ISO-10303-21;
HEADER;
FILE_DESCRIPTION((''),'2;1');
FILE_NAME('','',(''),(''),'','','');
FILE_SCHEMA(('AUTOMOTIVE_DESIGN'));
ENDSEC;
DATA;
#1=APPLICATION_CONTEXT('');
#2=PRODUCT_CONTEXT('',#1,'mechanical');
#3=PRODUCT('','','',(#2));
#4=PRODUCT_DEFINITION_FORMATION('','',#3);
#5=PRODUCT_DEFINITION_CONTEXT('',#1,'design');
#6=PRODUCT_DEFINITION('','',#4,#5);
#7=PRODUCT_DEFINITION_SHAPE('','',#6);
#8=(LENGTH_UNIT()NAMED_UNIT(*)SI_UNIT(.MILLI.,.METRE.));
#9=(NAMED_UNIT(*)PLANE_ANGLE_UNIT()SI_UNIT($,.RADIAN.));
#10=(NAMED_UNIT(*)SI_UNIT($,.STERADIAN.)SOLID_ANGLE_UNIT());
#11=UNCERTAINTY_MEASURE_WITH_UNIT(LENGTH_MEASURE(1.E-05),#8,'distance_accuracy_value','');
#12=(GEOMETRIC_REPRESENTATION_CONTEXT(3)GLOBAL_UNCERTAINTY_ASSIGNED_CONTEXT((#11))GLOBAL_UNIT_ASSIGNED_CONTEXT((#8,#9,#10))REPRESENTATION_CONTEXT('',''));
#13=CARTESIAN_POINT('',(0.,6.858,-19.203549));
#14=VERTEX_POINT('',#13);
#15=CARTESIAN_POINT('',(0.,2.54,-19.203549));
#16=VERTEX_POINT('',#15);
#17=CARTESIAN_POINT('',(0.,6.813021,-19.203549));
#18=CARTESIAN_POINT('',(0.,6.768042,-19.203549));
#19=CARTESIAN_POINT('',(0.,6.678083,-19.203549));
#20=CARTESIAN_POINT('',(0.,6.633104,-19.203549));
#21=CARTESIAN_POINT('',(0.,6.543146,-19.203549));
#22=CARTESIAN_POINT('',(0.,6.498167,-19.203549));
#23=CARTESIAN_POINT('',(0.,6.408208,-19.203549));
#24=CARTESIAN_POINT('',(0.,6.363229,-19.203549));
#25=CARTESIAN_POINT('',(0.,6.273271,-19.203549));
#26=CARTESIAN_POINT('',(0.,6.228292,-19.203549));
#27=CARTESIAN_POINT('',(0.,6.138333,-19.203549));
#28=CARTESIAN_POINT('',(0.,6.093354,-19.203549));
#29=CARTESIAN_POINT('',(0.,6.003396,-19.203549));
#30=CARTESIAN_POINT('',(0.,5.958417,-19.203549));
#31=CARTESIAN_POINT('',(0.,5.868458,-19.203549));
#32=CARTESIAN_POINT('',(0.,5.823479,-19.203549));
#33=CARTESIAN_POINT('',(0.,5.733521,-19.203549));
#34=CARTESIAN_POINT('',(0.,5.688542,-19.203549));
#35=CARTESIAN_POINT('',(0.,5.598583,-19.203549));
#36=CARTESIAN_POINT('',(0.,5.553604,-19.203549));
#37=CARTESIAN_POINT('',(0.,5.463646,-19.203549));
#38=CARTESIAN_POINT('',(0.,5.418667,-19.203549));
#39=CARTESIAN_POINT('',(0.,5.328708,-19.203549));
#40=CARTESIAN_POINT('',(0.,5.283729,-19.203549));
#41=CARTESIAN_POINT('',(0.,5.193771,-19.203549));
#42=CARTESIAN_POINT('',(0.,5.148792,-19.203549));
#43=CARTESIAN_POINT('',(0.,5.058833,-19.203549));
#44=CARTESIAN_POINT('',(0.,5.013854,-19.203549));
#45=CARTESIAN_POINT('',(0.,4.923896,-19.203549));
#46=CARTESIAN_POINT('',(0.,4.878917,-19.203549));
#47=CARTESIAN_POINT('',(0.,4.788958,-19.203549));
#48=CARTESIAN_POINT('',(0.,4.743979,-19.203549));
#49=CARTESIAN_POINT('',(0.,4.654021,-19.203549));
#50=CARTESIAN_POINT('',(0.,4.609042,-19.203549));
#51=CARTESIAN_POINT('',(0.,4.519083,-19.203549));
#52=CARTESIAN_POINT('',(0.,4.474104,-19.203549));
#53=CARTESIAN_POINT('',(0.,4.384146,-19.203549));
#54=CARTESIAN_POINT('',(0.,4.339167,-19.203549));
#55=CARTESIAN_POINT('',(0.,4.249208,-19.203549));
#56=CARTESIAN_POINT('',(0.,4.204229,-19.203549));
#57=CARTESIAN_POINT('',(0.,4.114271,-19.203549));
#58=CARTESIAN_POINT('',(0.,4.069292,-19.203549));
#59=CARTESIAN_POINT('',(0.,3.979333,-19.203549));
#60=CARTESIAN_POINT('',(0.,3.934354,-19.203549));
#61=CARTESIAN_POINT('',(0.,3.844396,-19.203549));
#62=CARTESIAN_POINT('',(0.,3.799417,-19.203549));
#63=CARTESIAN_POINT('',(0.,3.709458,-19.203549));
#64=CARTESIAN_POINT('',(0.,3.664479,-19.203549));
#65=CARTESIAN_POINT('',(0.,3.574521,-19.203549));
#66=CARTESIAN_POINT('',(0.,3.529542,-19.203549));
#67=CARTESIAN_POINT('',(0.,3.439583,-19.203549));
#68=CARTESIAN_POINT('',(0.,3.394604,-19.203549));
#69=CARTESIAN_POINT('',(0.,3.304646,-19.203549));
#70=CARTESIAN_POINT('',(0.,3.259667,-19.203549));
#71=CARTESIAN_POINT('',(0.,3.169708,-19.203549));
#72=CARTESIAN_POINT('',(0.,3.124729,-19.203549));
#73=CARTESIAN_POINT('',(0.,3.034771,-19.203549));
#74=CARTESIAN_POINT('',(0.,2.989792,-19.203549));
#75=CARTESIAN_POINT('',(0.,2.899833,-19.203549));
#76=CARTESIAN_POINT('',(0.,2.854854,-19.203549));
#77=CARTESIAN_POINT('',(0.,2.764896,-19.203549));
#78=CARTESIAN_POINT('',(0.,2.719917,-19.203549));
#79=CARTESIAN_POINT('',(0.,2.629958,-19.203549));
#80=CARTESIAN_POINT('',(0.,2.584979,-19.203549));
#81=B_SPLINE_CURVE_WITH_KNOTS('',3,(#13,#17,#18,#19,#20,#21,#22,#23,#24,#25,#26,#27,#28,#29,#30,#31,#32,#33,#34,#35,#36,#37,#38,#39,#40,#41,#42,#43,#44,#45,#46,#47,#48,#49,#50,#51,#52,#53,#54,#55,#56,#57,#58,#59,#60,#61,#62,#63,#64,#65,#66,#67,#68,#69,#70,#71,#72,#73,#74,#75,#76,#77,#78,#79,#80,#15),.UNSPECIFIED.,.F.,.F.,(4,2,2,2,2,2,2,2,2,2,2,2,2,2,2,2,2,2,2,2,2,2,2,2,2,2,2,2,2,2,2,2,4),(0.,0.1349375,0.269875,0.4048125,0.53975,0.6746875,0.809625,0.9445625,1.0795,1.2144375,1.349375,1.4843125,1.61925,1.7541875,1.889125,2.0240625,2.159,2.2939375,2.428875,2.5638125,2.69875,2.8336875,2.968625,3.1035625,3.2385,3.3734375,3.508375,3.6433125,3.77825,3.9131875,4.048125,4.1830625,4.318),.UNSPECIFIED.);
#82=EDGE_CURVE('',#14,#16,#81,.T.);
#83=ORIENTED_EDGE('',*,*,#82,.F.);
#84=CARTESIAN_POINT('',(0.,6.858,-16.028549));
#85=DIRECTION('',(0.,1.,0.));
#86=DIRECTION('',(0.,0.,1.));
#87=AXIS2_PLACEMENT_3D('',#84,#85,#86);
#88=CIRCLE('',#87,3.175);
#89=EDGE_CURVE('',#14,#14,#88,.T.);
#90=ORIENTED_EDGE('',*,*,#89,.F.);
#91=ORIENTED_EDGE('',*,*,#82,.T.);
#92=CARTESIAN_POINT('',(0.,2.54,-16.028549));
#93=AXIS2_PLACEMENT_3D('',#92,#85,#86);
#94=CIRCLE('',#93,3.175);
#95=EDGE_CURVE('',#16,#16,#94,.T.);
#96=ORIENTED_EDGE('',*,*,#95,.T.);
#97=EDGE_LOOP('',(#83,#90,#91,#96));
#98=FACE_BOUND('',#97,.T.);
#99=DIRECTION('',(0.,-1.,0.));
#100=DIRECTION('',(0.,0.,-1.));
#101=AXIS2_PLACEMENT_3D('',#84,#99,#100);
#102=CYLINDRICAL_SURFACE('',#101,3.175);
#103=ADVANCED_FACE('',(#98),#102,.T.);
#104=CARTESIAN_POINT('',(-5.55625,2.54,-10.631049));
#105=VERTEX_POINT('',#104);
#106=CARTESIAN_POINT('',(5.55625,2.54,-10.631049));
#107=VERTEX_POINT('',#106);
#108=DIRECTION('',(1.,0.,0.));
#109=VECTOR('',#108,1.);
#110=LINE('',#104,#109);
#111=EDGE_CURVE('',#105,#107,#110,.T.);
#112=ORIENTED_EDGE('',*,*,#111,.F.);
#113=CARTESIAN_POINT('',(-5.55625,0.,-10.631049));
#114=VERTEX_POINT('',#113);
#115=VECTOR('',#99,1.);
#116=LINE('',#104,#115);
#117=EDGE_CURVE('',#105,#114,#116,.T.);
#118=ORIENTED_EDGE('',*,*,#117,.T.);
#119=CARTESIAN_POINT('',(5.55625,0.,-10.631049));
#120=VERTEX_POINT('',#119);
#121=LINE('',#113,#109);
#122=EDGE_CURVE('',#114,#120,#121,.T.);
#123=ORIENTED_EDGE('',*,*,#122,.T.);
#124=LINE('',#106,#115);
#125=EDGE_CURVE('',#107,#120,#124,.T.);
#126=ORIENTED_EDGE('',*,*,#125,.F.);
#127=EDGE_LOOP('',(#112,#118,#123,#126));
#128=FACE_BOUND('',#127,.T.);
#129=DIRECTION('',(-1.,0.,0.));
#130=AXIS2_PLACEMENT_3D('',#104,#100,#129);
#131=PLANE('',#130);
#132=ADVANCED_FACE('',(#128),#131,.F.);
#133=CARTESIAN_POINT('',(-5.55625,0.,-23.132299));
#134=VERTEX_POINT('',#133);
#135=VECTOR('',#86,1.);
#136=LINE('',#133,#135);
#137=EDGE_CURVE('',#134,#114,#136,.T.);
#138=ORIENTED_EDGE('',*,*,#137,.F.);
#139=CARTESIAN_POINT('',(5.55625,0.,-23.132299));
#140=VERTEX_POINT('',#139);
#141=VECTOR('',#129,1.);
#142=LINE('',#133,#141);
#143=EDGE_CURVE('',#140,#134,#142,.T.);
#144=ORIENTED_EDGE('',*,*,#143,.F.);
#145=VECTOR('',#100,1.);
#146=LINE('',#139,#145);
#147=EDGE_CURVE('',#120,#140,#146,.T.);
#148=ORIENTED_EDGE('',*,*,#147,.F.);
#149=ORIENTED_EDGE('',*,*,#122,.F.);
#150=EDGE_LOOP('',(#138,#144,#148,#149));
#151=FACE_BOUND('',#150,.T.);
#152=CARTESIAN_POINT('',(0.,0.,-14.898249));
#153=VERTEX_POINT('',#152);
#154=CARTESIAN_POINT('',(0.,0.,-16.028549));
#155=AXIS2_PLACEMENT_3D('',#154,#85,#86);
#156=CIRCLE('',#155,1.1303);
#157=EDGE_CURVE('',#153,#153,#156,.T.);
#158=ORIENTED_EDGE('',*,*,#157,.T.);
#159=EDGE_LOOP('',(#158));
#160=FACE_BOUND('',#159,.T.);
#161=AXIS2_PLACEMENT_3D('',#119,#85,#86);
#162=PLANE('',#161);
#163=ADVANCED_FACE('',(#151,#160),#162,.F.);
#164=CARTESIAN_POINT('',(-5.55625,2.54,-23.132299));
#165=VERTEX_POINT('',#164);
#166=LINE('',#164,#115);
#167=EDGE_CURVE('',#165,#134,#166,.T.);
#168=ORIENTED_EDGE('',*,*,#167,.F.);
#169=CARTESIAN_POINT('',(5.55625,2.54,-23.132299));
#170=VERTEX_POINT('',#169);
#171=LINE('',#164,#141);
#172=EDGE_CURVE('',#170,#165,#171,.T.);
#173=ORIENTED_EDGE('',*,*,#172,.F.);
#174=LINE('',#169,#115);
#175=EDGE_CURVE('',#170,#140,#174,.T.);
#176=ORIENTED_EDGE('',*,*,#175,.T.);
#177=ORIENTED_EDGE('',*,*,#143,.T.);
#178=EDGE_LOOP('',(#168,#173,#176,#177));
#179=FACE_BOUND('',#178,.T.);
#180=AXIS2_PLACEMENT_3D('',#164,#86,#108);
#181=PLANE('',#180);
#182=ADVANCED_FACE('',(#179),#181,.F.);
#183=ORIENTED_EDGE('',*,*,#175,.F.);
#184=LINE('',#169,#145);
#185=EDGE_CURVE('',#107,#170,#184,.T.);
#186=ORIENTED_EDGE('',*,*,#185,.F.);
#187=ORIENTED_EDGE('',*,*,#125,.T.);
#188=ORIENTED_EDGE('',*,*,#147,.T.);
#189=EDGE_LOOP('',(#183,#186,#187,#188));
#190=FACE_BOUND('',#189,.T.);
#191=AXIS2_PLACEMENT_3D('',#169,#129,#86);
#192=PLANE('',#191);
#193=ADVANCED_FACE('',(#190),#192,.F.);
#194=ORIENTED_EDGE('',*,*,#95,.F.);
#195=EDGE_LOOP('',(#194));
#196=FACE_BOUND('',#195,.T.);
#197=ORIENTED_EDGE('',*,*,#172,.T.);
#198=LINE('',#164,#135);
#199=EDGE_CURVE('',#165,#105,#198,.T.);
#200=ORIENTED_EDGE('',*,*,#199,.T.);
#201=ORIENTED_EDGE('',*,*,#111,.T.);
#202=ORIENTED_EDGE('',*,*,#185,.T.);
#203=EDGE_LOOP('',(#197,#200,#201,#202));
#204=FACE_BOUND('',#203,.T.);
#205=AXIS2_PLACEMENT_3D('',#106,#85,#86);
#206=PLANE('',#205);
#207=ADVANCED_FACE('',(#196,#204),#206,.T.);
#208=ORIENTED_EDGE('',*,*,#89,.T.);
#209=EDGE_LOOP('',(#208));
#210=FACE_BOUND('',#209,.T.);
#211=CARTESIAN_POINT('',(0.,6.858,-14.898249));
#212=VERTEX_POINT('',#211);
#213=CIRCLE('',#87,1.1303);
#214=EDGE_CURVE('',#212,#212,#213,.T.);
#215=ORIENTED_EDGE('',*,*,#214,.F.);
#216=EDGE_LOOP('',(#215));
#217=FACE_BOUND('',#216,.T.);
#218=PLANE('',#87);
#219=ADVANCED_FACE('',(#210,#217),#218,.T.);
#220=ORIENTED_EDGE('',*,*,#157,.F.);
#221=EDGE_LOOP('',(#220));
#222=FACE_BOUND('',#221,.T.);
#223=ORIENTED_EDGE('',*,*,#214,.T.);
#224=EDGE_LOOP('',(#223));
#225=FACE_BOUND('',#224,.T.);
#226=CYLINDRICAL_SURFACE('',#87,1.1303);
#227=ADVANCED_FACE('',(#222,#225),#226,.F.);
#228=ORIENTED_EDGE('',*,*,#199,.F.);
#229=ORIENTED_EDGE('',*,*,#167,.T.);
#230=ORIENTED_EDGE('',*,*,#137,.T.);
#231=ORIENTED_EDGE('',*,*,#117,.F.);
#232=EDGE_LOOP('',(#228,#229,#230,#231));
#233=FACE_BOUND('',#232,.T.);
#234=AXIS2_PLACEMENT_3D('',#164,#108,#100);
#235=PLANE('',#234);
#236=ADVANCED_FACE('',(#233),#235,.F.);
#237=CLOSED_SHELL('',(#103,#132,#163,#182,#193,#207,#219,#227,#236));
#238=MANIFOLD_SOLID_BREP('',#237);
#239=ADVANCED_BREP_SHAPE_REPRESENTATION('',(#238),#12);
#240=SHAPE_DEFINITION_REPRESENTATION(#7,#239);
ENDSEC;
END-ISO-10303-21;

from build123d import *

# Parameters (mm, degrees)
SKETCH1_W             = 11.1125
SKETCH1_H             = 12.50125
BOSS_EXTRUDE1_DEPTH   = 2.54
SKETCH2_R             = 3.175
BOSS_EXTRUDE2_DEPTH   = 4.318
F_4_40_TAPPED_HOLE1_D = 2.2606


with BuildPart() as part:
    # Sketch1 → Boss-Extrude1 (new body)
    with BuildSketch(Plane(origin=(0, 0, 0), x_dir=(1, 0, 0), z_dir=(0, 1, 0))):
        with Locations((0, 16.881673618)):
            Rectangle(SKETCH1_W, SKETCH1_H)
    extrude(amount=BOSS_EXTRUDE1_DEPTH)

    # Sketch2 → Boss-Extrude2 (add)
    with BuildSketch(Plane(origin=(0, 2.54, 0), x_dir=(1, 0, 0), z_dir=(0, 1, 0))):
        with Locations(Location((0, 16.028548618, 0), (0, 0, 90))):
            Circle(SKETCH2_R)
    extrude(amount=BOSS_EXTRUDE2_DEPTH)

    # #4-40 Tapped Hole1 (through all)
    with Locations(Plane(origin=(0, 6.858, 0), x_dir=(-1, 0, 0), z_dir=(0, 1, 0))):
        with Locations((0, -16.028548618)):
            Hole(F_4_40_TAPPED_HOLE1_D / 2)


solid = part.part
